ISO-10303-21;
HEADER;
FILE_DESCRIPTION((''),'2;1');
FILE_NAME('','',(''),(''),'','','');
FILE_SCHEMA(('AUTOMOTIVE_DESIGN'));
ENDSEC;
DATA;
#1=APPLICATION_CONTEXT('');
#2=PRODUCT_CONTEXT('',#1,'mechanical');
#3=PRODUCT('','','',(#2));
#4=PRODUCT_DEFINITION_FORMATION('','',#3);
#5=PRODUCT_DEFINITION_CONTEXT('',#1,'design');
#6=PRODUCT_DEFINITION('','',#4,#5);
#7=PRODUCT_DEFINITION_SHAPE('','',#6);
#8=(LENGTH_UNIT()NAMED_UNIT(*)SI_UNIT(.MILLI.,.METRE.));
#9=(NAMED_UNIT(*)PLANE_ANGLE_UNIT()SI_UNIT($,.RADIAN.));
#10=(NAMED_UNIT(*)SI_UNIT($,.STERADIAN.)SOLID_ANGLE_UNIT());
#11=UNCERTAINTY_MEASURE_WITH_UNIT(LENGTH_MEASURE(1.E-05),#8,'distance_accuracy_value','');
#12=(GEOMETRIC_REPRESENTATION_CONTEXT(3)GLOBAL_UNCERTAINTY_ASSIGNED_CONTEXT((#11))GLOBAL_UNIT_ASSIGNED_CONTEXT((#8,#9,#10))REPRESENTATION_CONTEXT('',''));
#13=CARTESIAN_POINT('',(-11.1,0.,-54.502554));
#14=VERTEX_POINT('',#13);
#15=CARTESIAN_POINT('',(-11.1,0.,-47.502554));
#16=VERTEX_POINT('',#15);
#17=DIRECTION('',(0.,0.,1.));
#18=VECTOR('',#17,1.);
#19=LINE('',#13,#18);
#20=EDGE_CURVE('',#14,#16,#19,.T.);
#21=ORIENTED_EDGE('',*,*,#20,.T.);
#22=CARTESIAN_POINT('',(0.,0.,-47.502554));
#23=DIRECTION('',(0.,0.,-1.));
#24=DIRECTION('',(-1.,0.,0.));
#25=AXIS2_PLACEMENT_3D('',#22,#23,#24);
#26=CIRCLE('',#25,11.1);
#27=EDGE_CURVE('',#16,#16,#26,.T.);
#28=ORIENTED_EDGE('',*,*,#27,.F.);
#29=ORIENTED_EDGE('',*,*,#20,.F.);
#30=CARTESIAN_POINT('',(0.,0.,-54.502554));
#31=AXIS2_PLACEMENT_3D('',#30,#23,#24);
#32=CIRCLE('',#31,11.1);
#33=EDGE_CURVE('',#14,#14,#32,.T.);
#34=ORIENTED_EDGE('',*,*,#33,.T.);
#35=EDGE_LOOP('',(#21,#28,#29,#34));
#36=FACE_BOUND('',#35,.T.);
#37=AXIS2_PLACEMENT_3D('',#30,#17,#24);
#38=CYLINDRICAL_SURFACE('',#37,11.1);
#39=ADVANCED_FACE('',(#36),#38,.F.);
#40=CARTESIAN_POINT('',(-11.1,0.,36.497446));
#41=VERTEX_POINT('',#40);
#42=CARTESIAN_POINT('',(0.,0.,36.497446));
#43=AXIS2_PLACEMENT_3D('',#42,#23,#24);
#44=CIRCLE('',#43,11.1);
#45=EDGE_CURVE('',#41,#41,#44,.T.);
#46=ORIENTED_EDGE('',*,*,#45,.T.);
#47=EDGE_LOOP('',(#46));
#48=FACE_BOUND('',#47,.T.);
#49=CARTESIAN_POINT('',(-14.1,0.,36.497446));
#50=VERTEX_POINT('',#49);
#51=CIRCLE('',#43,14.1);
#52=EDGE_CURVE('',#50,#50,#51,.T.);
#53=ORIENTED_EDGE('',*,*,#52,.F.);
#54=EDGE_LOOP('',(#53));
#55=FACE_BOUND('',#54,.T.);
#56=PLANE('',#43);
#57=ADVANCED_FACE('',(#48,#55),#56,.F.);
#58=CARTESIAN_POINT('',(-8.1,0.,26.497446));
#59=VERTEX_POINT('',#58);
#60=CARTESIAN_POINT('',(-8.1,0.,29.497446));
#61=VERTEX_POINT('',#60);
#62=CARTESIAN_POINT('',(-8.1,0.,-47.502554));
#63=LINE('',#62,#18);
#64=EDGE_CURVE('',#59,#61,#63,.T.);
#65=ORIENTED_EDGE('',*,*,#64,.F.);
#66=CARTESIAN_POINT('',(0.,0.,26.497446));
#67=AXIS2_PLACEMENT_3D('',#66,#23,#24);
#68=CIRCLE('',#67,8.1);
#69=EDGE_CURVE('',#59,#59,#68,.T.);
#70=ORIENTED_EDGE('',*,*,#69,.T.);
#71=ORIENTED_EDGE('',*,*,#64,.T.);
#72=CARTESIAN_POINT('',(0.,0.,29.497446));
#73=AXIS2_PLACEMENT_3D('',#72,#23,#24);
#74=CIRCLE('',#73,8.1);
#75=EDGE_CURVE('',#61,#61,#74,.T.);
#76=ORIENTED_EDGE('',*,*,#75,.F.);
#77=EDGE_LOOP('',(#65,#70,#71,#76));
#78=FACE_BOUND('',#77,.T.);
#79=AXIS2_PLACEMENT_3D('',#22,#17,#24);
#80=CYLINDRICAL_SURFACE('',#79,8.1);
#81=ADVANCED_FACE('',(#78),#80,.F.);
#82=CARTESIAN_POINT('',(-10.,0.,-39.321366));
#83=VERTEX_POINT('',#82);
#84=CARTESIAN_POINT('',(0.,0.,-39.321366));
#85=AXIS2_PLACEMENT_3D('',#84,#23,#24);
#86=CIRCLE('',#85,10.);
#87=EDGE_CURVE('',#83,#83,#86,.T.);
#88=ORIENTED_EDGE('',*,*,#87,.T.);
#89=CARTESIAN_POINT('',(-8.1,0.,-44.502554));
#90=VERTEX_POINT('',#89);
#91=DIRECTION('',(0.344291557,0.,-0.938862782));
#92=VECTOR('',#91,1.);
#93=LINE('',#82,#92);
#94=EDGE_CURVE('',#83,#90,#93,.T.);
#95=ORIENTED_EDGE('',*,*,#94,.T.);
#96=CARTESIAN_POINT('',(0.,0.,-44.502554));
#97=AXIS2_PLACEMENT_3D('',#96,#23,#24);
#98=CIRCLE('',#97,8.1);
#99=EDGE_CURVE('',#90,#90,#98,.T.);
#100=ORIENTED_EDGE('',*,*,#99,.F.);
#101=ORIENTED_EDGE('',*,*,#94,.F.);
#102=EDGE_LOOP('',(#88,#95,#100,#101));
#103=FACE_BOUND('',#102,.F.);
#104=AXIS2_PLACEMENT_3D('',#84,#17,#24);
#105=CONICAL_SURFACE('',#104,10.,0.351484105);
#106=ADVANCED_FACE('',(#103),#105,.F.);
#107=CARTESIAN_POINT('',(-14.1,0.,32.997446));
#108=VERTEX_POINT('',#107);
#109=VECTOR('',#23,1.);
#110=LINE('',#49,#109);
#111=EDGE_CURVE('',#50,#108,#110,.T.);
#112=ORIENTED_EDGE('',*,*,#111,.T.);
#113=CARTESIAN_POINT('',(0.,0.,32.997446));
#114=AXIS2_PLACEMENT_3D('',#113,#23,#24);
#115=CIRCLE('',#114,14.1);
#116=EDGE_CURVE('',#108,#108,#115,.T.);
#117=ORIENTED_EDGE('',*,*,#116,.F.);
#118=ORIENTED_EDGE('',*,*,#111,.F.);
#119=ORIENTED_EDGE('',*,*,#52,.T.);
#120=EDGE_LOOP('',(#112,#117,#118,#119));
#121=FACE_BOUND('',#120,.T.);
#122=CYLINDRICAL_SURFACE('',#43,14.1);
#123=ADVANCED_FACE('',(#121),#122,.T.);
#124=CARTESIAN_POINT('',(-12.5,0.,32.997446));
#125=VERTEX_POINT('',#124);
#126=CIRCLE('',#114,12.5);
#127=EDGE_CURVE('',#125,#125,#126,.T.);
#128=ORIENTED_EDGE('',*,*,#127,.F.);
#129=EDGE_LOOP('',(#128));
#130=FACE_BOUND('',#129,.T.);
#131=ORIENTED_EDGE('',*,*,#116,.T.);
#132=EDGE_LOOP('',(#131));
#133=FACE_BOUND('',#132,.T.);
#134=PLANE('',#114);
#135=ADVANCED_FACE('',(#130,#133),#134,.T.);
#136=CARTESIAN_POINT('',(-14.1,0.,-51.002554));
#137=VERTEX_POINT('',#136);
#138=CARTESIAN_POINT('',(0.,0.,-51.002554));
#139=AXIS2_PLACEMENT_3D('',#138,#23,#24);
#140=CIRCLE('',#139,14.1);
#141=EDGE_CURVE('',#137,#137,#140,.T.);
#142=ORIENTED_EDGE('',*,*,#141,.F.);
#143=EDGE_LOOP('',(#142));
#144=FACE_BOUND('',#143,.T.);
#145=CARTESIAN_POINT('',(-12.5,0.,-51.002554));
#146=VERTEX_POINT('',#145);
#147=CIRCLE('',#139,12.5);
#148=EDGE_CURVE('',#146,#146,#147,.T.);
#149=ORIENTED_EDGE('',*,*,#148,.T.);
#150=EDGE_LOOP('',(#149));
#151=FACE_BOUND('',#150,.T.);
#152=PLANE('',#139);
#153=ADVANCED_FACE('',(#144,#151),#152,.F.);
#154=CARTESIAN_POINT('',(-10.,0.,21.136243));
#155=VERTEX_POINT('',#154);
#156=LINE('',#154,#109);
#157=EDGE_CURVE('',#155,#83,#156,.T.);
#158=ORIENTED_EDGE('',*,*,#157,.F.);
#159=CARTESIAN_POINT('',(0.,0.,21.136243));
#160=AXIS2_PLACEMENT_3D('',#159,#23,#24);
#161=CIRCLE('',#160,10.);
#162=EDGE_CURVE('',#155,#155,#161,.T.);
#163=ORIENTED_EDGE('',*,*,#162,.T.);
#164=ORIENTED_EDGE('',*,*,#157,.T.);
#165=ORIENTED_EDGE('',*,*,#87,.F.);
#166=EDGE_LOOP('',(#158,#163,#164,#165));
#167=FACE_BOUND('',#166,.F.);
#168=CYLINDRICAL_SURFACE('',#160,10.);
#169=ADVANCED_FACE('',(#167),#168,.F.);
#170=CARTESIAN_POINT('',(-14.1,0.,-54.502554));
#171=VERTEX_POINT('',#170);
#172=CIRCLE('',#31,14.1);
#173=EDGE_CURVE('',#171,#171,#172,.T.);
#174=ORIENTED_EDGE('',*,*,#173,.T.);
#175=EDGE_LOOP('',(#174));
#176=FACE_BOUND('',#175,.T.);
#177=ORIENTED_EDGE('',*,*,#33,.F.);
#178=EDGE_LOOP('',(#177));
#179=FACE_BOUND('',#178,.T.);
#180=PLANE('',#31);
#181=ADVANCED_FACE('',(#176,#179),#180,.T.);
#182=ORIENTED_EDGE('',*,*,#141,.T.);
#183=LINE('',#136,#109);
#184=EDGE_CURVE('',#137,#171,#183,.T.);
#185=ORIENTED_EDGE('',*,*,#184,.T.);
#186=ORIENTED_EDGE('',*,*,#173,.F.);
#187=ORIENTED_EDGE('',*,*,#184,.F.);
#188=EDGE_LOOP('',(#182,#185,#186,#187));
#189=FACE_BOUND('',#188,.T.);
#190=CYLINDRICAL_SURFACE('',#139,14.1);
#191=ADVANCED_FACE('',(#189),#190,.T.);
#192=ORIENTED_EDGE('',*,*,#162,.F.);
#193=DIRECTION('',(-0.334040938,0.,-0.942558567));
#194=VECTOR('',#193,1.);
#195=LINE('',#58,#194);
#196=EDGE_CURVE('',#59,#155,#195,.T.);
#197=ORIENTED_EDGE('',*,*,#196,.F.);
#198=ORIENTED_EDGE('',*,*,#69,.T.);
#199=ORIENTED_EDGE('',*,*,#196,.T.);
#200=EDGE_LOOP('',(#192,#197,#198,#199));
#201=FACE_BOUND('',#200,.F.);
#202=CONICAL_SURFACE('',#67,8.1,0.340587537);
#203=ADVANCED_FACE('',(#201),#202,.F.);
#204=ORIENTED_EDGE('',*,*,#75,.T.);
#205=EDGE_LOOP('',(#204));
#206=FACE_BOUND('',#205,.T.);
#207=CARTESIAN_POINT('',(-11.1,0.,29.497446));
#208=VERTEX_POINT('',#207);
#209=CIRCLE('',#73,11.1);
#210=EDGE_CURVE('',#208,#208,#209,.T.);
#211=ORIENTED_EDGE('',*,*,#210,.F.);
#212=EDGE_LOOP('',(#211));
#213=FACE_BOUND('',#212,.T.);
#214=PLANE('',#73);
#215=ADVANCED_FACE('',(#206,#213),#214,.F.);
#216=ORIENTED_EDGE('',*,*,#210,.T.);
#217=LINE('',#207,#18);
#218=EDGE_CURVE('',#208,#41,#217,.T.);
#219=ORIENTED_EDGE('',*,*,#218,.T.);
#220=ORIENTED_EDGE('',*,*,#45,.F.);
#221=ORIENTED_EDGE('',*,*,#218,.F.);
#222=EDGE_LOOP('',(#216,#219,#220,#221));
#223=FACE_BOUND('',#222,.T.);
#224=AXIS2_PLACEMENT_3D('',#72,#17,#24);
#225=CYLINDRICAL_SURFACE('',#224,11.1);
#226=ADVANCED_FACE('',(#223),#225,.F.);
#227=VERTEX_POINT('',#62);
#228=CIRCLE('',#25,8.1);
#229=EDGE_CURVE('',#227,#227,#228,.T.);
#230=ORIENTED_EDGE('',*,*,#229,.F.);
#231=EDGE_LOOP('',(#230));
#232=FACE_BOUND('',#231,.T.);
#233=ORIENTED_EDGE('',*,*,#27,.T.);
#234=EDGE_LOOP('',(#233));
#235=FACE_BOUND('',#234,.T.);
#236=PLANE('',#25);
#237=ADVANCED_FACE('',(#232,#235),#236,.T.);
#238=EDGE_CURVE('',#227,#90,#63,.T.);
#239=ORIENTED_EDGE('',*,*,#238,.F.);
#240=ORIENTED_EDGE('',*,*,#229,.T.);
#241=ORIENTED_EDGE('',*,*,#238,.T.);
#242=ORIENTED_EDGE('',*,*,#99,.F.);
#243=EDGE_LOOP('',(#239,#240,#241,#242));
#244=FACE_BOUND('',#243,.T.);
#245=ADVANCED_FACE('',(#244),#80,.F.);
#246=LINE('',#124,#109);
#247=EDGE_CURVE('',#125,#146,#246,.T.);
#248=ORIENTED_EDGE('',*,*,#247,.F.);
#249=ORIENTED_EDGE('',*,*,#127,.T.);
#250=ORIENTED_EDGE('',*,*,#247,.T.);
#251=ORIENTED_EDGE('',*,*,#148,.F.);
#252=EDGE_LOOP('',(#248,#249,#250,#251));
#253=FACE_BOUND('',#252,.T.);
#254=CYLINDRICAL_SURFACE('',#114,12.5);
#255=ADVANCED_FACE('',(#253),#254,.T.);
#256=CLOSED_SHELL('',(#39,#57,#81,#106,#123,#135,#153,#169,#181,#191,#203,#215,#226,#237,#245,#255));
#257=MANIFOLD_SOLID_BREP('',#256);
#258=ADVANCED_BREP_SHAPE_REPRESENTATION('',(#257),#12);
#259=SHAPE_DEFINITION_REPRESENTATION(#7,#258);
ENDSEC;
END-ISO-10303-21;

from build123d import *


with BuildPart() as f1:
    # F0 (on Front) → F1 (revolve)
    with BuildSketch(Plane.XZ):
        Polygon((-11.1, 36.497446), (-14.1, 36.497446), (-14.1, 32.997446), (-12.5, 32.997446), (-12.5, -51.002554), (-14.1, -51.002554), (-14.1, -54.502554), (-11.1, -54.502554), (-11.1, -47.502554), (-8.1, -47.502554), (-8.1, 29.497446), (-11.1, 29.497446), align=None)
    revolve(axis=Axis((0, 0, -4.749926), (0, 0, -1)))

    # F2 (on Front) → F3 (revolve, cut)
    with BuildSketch(Plane.XZ):
        Polygon((-8.1, -44.502554), (-8.1, 26.497446), (-10, 21.136243), (-10, -39.321366), align=None)
    revolve(axis=Axis((0, 0, 29.497446), (0, 0, -1)), mode=Mode.SUBTRACT)


solid = f1.part
